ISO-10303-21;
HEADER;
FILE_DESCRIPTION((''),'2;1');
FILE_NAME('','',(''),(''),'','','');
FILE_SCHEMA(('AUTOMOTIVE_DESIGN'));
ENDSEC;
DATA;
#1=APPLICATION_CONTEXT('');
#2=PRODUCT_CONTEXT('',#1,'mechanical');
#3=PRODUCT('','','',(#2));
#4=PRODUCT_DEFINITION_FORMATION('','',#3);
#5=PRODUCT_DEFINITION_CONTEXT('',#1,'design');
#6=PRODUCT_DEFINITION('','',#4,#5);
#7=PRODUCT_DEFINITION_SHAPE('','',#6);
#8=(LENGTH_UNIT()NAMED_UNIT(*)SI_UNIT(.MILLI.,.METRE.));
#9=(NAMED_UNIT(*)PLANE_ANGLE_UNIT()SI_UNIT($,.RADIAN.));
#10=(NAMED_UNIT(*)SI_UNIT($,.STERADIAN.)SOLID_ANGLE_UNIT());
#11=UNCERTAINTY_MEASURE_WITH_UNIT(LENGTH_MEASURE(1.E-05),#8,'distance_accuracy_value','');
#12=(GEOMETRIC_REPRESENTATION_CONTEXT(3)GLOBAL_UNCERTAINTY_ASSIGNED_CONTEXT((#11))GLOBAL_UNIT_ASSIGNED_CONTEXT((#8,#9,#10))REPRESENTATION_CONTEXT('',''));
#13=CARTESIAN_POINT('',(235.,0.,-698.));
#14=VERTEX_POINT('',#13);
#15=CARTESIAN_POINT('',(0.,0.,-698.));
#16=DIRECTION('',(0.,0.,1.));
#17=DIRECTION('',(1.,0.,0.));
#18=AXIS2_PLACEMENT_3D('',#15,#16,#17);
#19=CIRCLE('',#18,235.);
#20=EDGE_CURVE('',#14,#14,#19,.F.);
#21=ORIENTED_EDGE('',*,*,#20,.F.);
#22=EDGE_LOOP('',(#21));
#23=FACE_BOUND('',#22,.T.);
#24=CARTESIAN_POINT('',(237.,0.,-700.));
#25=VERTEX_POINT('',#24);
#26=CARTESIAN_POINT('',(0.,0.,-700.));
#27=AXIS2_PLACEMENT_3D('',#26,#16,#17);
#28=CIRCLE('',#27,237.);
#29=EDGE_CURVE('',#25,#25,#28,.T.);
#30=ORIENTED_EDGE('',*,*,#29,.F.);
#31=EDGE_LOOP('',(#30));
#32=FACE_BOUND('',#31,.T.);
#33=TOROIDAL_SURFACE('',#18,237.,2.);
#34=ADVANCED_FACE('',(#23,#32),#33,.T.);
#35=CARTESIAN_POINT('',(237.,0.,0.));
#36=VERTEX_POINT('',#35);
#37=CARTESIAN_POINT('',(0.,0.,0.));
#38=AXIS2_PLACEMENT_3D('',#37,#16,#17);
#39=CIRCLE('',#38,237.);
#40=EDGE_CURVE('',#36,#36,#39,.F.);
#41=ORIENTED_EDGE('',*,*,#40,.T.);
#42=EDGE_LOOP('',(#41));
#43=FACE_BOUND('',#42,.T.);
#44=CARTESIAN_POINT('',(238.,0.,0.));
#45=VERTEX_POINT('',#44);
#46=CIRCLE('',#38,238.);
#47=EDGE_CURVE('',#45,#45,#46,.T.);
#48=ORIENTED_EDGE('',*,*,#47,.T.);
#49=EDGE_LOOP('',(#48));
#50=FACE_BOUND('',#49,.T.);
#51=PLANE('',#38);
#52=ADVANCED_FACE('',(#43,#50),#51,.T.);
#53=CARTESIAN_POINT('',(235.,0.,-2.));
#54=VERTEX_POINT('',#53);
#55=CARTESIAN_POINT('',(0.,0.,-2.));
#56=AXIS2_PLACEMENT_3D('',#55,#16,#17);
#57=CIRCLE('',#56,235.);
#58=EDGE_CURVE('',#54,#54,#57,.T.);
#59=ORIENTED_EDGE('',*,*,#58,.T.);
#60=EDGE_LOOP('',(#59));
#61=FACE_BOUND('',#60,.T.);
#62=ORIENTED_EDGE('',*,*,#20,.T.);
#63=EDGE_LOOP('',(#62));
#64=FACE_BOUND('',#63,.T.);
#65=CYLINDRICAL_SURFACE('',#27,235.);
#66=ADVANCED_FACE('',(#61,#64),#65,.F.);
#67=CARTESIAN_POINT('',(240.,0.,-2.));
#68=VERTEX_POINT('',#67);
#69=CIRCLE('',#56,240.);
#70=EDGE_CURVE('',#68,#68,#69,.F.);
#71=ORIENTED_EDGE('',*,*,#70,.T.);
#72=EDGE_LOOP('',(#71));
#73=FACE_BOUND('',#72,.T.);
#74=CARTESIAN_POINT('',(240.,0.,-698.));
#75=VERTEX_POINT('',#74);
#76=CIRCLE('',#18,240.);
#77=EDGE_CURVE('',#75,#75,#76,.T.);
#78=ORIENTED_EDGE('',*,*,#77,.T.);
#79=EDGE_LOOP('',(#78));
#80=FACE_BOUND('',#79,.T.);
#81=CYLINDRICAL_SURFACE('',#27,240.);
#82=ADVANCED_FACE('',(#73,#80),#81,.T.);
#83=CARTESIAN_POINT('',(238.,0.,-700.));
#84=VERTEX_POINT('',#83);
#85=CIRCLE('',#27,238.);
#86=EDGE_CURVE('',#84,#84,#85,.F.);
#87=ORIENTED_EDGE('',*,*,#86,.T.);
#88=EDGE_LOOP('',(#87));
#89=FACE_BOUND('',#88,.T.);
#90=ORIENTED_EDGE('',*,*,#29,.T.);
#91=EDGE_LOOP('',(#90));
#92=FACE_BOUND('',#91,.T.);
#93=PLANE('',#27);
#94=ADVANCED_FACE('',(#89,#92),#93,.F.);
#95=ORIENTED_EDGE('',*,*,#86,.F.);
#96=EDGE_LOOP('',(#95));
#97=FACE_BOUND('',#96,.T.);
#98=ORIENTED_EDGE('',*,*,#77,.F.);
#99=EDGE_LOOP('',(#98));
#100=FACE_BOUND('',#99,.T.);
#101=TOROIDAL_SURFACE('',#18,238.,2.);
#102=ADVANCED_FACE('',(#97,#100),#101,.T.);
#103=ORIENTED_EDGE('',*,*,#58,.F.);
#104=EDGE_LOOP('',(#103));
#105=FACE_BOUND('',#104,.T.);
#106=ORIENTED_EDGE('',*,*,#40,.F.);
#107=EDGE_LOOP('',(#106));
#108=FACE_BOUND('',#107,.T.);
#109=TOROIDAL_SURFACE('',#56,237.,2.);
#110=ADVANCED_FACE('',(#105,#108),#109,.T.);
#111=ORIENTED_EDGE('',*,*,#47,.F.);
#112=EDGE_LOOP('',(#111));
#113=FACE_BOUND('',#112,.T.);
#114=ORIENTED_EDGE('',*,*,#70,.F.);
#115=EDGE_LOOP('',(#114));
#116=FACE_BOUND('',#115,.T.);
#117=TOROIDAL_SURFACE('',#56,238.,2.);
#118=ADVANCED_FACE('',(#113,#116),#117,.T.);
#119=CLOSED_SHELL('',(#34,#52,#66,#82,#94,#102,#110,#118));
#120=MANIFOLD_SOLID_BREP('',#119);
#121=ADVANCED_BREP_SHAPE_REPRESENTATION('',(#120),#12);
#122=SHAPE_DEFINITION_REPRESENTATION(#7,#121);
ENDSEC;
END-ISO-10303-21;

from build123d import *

# Parameters (mm, degrees)
SKETCH1_R           = 240
SKETCH1_R_2         = 235
BOSS_EXTRUDE1_DEPTH = 700
FILLET1_R           = 2


with BuildPart() as part:
    # Sketch1 → Boss-Extrude1 (new body)
    with BuildSketch(Plane.XY):
        Circle(SKETCH1_R)
        Circle(SKETCH1_R_2, mode=Mode.SUBTRACT)
    extrude(amount=-BOSS_EXTRUDE1_DEPTH)

    # Fillet1
    fillet1_edges = [part.edges().sort_by_distance(p)[0] for p in [
        (-240, 0, 0),
        (-240, 0, -700),
        (-235, 0, -700),
        (-235, 0, 0),
    ]]
    fillet(fillet1_edges, radius=FILLET1_R)


solid = part.part
